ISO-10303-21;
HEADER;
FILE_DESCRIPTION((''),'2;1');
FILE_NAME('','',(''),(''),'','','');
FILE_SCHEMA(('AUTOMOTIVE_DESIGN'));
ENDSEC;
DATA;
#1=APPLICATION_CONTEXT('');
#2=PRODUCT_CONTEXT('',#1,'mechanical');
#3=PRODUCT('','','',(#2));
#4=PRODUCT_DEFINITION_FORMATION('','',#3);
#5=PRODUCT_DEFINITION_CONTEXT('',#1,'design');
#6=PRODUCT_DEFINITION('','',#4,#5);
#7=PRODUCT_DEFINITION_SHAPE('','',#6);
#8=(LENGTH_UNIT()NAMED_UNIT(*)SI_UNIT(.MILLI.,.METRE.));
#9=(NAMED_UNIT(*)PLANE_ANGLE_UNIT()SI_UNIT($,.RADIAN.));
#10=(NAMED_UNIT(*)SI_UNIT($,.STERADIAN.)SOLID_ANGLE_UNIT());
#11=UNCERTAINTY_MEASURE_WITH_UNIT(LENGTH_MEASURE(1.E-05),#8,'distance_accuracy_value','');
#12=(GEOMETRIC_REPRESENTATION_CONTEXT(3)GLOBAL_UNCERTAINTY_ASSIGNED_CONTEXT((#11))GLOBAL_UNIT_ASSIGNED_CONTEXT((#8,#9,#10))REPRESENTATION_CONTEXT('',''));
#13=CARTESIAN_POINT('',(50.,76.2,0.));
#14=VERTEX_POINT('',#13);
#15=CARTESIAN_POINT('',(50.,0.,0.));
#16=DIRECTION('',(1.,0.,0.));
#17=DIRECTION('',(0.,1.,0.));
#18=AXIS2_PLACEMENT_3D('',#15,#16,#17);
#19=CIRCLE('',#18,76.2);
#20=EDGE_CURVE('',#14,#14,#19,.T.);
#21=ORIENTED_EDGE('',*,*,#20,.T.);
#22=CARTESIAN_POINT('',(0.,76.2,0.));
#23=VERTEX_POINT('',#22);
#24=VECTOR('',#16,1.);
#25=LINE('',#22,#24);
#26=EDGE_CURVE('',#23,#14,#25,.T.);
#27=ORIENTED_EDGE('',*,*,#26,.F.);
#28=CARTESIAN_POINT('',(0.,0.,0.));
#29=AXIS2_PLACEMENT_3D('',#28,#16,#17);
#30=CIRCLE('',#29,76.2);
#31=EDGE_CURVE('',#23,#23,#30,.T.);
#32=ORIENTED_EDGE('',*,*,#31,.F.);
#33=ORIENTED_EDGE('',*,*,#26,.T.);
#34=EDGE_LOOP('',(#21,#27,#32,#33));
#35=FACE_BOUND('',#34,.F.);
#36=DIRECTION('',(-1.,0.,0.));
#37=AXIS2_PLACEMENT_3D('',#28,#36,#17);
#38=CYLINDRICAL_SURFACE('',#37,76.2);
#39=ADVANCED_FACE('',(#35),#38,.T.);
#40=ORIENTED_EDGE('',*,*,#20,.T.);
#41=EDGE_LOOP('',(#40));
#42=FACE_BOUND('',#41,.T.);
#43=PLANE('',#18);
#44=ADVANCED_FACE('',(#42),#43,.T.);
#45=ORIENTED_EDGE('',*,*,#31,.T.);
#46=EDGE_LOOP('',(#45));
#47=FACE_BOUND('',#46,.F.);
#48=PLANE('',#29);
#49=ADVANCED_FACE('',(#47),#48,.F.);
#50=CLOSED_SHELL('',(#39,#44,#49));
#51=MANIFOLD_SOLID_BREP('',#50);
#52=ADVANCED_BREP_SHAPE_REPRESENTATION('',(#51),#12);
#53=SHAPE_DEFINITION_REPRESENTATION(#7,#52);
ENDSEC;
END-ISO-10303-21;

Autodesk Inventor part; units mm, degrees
ref_plane "YZ Plane" through (0, 0, 0) normal (1, 0, 0) x (0, 1, 0)
ref_plane "XZ Plane" through (0, 0, 0) normal (0, 1, 0) x (-1, 0, 0)
ref_plane "XY Plane" through (0, 0, 0) normal (0, 0, 1) x (1, 0, 0)
sketch "Sketch1" plane through (0, 0, 0) normal (1, 0, 0) x (0, 1, 0)
  circle A0 centre (0, 0) radius 76.2
  dimension "d0" = 152.4
extrude "Extrusion1" add sketch "Sketch1" along normal blind 50
equation "\"d0\" = Wheel_Diametre"
equation "\"Chassi_CentreDrop\" = 4"
equation "\"WheelBay_Depth\" = 55"
equation "\"Chassi_GroundClearance\" = 10.116"
equation "\"Wheel_Diametre\" = 152.4"
equation "\"Wheel_Seperation\" = 285.75"
equation "\"Wheel_HeightOffset\" = 4"
equation "\"Wheel_Clearance\" = 13.05"
equation "\"Wheel_CentreDrop\" = 4"
equation "\"Wheel_Seperation2\" = 194.33333"
equation "\"Wheel_HeightOffset2\" = 4"
equation "\"Wheel_Diametre2\" = 101.6"
equation "\"Wheel_Clearance2\" = 32.7"
equation "\"Chain_Pitch\" = 9.525"
equation "\"Wheel_MaxSeperation\" = 285.75"
equation "\"Wheel_CCSpan\" = 571.5"
equation "\"Wheel_CCSpan2\" = 471.5"
equation "\"Wheel_MaxSeperation2\" = 190.5"
equation "\"MotorholeHorizontal\" = 95.01318"
equation "\"Chassi_SideRivetSpacing\" = 37.5"
equation "\"OutputshaftTopOffset\" = 30.058"
equation "\"MotorholeCC\" = 95.25"
equation "\"Heightfromcenter\" = 6.7125"
equation "\"Sprocket_Thickness\" = 10.668"
equation "\"BumperMountingBarOffset\" = 177.8"
properties part number "WHEEL"
